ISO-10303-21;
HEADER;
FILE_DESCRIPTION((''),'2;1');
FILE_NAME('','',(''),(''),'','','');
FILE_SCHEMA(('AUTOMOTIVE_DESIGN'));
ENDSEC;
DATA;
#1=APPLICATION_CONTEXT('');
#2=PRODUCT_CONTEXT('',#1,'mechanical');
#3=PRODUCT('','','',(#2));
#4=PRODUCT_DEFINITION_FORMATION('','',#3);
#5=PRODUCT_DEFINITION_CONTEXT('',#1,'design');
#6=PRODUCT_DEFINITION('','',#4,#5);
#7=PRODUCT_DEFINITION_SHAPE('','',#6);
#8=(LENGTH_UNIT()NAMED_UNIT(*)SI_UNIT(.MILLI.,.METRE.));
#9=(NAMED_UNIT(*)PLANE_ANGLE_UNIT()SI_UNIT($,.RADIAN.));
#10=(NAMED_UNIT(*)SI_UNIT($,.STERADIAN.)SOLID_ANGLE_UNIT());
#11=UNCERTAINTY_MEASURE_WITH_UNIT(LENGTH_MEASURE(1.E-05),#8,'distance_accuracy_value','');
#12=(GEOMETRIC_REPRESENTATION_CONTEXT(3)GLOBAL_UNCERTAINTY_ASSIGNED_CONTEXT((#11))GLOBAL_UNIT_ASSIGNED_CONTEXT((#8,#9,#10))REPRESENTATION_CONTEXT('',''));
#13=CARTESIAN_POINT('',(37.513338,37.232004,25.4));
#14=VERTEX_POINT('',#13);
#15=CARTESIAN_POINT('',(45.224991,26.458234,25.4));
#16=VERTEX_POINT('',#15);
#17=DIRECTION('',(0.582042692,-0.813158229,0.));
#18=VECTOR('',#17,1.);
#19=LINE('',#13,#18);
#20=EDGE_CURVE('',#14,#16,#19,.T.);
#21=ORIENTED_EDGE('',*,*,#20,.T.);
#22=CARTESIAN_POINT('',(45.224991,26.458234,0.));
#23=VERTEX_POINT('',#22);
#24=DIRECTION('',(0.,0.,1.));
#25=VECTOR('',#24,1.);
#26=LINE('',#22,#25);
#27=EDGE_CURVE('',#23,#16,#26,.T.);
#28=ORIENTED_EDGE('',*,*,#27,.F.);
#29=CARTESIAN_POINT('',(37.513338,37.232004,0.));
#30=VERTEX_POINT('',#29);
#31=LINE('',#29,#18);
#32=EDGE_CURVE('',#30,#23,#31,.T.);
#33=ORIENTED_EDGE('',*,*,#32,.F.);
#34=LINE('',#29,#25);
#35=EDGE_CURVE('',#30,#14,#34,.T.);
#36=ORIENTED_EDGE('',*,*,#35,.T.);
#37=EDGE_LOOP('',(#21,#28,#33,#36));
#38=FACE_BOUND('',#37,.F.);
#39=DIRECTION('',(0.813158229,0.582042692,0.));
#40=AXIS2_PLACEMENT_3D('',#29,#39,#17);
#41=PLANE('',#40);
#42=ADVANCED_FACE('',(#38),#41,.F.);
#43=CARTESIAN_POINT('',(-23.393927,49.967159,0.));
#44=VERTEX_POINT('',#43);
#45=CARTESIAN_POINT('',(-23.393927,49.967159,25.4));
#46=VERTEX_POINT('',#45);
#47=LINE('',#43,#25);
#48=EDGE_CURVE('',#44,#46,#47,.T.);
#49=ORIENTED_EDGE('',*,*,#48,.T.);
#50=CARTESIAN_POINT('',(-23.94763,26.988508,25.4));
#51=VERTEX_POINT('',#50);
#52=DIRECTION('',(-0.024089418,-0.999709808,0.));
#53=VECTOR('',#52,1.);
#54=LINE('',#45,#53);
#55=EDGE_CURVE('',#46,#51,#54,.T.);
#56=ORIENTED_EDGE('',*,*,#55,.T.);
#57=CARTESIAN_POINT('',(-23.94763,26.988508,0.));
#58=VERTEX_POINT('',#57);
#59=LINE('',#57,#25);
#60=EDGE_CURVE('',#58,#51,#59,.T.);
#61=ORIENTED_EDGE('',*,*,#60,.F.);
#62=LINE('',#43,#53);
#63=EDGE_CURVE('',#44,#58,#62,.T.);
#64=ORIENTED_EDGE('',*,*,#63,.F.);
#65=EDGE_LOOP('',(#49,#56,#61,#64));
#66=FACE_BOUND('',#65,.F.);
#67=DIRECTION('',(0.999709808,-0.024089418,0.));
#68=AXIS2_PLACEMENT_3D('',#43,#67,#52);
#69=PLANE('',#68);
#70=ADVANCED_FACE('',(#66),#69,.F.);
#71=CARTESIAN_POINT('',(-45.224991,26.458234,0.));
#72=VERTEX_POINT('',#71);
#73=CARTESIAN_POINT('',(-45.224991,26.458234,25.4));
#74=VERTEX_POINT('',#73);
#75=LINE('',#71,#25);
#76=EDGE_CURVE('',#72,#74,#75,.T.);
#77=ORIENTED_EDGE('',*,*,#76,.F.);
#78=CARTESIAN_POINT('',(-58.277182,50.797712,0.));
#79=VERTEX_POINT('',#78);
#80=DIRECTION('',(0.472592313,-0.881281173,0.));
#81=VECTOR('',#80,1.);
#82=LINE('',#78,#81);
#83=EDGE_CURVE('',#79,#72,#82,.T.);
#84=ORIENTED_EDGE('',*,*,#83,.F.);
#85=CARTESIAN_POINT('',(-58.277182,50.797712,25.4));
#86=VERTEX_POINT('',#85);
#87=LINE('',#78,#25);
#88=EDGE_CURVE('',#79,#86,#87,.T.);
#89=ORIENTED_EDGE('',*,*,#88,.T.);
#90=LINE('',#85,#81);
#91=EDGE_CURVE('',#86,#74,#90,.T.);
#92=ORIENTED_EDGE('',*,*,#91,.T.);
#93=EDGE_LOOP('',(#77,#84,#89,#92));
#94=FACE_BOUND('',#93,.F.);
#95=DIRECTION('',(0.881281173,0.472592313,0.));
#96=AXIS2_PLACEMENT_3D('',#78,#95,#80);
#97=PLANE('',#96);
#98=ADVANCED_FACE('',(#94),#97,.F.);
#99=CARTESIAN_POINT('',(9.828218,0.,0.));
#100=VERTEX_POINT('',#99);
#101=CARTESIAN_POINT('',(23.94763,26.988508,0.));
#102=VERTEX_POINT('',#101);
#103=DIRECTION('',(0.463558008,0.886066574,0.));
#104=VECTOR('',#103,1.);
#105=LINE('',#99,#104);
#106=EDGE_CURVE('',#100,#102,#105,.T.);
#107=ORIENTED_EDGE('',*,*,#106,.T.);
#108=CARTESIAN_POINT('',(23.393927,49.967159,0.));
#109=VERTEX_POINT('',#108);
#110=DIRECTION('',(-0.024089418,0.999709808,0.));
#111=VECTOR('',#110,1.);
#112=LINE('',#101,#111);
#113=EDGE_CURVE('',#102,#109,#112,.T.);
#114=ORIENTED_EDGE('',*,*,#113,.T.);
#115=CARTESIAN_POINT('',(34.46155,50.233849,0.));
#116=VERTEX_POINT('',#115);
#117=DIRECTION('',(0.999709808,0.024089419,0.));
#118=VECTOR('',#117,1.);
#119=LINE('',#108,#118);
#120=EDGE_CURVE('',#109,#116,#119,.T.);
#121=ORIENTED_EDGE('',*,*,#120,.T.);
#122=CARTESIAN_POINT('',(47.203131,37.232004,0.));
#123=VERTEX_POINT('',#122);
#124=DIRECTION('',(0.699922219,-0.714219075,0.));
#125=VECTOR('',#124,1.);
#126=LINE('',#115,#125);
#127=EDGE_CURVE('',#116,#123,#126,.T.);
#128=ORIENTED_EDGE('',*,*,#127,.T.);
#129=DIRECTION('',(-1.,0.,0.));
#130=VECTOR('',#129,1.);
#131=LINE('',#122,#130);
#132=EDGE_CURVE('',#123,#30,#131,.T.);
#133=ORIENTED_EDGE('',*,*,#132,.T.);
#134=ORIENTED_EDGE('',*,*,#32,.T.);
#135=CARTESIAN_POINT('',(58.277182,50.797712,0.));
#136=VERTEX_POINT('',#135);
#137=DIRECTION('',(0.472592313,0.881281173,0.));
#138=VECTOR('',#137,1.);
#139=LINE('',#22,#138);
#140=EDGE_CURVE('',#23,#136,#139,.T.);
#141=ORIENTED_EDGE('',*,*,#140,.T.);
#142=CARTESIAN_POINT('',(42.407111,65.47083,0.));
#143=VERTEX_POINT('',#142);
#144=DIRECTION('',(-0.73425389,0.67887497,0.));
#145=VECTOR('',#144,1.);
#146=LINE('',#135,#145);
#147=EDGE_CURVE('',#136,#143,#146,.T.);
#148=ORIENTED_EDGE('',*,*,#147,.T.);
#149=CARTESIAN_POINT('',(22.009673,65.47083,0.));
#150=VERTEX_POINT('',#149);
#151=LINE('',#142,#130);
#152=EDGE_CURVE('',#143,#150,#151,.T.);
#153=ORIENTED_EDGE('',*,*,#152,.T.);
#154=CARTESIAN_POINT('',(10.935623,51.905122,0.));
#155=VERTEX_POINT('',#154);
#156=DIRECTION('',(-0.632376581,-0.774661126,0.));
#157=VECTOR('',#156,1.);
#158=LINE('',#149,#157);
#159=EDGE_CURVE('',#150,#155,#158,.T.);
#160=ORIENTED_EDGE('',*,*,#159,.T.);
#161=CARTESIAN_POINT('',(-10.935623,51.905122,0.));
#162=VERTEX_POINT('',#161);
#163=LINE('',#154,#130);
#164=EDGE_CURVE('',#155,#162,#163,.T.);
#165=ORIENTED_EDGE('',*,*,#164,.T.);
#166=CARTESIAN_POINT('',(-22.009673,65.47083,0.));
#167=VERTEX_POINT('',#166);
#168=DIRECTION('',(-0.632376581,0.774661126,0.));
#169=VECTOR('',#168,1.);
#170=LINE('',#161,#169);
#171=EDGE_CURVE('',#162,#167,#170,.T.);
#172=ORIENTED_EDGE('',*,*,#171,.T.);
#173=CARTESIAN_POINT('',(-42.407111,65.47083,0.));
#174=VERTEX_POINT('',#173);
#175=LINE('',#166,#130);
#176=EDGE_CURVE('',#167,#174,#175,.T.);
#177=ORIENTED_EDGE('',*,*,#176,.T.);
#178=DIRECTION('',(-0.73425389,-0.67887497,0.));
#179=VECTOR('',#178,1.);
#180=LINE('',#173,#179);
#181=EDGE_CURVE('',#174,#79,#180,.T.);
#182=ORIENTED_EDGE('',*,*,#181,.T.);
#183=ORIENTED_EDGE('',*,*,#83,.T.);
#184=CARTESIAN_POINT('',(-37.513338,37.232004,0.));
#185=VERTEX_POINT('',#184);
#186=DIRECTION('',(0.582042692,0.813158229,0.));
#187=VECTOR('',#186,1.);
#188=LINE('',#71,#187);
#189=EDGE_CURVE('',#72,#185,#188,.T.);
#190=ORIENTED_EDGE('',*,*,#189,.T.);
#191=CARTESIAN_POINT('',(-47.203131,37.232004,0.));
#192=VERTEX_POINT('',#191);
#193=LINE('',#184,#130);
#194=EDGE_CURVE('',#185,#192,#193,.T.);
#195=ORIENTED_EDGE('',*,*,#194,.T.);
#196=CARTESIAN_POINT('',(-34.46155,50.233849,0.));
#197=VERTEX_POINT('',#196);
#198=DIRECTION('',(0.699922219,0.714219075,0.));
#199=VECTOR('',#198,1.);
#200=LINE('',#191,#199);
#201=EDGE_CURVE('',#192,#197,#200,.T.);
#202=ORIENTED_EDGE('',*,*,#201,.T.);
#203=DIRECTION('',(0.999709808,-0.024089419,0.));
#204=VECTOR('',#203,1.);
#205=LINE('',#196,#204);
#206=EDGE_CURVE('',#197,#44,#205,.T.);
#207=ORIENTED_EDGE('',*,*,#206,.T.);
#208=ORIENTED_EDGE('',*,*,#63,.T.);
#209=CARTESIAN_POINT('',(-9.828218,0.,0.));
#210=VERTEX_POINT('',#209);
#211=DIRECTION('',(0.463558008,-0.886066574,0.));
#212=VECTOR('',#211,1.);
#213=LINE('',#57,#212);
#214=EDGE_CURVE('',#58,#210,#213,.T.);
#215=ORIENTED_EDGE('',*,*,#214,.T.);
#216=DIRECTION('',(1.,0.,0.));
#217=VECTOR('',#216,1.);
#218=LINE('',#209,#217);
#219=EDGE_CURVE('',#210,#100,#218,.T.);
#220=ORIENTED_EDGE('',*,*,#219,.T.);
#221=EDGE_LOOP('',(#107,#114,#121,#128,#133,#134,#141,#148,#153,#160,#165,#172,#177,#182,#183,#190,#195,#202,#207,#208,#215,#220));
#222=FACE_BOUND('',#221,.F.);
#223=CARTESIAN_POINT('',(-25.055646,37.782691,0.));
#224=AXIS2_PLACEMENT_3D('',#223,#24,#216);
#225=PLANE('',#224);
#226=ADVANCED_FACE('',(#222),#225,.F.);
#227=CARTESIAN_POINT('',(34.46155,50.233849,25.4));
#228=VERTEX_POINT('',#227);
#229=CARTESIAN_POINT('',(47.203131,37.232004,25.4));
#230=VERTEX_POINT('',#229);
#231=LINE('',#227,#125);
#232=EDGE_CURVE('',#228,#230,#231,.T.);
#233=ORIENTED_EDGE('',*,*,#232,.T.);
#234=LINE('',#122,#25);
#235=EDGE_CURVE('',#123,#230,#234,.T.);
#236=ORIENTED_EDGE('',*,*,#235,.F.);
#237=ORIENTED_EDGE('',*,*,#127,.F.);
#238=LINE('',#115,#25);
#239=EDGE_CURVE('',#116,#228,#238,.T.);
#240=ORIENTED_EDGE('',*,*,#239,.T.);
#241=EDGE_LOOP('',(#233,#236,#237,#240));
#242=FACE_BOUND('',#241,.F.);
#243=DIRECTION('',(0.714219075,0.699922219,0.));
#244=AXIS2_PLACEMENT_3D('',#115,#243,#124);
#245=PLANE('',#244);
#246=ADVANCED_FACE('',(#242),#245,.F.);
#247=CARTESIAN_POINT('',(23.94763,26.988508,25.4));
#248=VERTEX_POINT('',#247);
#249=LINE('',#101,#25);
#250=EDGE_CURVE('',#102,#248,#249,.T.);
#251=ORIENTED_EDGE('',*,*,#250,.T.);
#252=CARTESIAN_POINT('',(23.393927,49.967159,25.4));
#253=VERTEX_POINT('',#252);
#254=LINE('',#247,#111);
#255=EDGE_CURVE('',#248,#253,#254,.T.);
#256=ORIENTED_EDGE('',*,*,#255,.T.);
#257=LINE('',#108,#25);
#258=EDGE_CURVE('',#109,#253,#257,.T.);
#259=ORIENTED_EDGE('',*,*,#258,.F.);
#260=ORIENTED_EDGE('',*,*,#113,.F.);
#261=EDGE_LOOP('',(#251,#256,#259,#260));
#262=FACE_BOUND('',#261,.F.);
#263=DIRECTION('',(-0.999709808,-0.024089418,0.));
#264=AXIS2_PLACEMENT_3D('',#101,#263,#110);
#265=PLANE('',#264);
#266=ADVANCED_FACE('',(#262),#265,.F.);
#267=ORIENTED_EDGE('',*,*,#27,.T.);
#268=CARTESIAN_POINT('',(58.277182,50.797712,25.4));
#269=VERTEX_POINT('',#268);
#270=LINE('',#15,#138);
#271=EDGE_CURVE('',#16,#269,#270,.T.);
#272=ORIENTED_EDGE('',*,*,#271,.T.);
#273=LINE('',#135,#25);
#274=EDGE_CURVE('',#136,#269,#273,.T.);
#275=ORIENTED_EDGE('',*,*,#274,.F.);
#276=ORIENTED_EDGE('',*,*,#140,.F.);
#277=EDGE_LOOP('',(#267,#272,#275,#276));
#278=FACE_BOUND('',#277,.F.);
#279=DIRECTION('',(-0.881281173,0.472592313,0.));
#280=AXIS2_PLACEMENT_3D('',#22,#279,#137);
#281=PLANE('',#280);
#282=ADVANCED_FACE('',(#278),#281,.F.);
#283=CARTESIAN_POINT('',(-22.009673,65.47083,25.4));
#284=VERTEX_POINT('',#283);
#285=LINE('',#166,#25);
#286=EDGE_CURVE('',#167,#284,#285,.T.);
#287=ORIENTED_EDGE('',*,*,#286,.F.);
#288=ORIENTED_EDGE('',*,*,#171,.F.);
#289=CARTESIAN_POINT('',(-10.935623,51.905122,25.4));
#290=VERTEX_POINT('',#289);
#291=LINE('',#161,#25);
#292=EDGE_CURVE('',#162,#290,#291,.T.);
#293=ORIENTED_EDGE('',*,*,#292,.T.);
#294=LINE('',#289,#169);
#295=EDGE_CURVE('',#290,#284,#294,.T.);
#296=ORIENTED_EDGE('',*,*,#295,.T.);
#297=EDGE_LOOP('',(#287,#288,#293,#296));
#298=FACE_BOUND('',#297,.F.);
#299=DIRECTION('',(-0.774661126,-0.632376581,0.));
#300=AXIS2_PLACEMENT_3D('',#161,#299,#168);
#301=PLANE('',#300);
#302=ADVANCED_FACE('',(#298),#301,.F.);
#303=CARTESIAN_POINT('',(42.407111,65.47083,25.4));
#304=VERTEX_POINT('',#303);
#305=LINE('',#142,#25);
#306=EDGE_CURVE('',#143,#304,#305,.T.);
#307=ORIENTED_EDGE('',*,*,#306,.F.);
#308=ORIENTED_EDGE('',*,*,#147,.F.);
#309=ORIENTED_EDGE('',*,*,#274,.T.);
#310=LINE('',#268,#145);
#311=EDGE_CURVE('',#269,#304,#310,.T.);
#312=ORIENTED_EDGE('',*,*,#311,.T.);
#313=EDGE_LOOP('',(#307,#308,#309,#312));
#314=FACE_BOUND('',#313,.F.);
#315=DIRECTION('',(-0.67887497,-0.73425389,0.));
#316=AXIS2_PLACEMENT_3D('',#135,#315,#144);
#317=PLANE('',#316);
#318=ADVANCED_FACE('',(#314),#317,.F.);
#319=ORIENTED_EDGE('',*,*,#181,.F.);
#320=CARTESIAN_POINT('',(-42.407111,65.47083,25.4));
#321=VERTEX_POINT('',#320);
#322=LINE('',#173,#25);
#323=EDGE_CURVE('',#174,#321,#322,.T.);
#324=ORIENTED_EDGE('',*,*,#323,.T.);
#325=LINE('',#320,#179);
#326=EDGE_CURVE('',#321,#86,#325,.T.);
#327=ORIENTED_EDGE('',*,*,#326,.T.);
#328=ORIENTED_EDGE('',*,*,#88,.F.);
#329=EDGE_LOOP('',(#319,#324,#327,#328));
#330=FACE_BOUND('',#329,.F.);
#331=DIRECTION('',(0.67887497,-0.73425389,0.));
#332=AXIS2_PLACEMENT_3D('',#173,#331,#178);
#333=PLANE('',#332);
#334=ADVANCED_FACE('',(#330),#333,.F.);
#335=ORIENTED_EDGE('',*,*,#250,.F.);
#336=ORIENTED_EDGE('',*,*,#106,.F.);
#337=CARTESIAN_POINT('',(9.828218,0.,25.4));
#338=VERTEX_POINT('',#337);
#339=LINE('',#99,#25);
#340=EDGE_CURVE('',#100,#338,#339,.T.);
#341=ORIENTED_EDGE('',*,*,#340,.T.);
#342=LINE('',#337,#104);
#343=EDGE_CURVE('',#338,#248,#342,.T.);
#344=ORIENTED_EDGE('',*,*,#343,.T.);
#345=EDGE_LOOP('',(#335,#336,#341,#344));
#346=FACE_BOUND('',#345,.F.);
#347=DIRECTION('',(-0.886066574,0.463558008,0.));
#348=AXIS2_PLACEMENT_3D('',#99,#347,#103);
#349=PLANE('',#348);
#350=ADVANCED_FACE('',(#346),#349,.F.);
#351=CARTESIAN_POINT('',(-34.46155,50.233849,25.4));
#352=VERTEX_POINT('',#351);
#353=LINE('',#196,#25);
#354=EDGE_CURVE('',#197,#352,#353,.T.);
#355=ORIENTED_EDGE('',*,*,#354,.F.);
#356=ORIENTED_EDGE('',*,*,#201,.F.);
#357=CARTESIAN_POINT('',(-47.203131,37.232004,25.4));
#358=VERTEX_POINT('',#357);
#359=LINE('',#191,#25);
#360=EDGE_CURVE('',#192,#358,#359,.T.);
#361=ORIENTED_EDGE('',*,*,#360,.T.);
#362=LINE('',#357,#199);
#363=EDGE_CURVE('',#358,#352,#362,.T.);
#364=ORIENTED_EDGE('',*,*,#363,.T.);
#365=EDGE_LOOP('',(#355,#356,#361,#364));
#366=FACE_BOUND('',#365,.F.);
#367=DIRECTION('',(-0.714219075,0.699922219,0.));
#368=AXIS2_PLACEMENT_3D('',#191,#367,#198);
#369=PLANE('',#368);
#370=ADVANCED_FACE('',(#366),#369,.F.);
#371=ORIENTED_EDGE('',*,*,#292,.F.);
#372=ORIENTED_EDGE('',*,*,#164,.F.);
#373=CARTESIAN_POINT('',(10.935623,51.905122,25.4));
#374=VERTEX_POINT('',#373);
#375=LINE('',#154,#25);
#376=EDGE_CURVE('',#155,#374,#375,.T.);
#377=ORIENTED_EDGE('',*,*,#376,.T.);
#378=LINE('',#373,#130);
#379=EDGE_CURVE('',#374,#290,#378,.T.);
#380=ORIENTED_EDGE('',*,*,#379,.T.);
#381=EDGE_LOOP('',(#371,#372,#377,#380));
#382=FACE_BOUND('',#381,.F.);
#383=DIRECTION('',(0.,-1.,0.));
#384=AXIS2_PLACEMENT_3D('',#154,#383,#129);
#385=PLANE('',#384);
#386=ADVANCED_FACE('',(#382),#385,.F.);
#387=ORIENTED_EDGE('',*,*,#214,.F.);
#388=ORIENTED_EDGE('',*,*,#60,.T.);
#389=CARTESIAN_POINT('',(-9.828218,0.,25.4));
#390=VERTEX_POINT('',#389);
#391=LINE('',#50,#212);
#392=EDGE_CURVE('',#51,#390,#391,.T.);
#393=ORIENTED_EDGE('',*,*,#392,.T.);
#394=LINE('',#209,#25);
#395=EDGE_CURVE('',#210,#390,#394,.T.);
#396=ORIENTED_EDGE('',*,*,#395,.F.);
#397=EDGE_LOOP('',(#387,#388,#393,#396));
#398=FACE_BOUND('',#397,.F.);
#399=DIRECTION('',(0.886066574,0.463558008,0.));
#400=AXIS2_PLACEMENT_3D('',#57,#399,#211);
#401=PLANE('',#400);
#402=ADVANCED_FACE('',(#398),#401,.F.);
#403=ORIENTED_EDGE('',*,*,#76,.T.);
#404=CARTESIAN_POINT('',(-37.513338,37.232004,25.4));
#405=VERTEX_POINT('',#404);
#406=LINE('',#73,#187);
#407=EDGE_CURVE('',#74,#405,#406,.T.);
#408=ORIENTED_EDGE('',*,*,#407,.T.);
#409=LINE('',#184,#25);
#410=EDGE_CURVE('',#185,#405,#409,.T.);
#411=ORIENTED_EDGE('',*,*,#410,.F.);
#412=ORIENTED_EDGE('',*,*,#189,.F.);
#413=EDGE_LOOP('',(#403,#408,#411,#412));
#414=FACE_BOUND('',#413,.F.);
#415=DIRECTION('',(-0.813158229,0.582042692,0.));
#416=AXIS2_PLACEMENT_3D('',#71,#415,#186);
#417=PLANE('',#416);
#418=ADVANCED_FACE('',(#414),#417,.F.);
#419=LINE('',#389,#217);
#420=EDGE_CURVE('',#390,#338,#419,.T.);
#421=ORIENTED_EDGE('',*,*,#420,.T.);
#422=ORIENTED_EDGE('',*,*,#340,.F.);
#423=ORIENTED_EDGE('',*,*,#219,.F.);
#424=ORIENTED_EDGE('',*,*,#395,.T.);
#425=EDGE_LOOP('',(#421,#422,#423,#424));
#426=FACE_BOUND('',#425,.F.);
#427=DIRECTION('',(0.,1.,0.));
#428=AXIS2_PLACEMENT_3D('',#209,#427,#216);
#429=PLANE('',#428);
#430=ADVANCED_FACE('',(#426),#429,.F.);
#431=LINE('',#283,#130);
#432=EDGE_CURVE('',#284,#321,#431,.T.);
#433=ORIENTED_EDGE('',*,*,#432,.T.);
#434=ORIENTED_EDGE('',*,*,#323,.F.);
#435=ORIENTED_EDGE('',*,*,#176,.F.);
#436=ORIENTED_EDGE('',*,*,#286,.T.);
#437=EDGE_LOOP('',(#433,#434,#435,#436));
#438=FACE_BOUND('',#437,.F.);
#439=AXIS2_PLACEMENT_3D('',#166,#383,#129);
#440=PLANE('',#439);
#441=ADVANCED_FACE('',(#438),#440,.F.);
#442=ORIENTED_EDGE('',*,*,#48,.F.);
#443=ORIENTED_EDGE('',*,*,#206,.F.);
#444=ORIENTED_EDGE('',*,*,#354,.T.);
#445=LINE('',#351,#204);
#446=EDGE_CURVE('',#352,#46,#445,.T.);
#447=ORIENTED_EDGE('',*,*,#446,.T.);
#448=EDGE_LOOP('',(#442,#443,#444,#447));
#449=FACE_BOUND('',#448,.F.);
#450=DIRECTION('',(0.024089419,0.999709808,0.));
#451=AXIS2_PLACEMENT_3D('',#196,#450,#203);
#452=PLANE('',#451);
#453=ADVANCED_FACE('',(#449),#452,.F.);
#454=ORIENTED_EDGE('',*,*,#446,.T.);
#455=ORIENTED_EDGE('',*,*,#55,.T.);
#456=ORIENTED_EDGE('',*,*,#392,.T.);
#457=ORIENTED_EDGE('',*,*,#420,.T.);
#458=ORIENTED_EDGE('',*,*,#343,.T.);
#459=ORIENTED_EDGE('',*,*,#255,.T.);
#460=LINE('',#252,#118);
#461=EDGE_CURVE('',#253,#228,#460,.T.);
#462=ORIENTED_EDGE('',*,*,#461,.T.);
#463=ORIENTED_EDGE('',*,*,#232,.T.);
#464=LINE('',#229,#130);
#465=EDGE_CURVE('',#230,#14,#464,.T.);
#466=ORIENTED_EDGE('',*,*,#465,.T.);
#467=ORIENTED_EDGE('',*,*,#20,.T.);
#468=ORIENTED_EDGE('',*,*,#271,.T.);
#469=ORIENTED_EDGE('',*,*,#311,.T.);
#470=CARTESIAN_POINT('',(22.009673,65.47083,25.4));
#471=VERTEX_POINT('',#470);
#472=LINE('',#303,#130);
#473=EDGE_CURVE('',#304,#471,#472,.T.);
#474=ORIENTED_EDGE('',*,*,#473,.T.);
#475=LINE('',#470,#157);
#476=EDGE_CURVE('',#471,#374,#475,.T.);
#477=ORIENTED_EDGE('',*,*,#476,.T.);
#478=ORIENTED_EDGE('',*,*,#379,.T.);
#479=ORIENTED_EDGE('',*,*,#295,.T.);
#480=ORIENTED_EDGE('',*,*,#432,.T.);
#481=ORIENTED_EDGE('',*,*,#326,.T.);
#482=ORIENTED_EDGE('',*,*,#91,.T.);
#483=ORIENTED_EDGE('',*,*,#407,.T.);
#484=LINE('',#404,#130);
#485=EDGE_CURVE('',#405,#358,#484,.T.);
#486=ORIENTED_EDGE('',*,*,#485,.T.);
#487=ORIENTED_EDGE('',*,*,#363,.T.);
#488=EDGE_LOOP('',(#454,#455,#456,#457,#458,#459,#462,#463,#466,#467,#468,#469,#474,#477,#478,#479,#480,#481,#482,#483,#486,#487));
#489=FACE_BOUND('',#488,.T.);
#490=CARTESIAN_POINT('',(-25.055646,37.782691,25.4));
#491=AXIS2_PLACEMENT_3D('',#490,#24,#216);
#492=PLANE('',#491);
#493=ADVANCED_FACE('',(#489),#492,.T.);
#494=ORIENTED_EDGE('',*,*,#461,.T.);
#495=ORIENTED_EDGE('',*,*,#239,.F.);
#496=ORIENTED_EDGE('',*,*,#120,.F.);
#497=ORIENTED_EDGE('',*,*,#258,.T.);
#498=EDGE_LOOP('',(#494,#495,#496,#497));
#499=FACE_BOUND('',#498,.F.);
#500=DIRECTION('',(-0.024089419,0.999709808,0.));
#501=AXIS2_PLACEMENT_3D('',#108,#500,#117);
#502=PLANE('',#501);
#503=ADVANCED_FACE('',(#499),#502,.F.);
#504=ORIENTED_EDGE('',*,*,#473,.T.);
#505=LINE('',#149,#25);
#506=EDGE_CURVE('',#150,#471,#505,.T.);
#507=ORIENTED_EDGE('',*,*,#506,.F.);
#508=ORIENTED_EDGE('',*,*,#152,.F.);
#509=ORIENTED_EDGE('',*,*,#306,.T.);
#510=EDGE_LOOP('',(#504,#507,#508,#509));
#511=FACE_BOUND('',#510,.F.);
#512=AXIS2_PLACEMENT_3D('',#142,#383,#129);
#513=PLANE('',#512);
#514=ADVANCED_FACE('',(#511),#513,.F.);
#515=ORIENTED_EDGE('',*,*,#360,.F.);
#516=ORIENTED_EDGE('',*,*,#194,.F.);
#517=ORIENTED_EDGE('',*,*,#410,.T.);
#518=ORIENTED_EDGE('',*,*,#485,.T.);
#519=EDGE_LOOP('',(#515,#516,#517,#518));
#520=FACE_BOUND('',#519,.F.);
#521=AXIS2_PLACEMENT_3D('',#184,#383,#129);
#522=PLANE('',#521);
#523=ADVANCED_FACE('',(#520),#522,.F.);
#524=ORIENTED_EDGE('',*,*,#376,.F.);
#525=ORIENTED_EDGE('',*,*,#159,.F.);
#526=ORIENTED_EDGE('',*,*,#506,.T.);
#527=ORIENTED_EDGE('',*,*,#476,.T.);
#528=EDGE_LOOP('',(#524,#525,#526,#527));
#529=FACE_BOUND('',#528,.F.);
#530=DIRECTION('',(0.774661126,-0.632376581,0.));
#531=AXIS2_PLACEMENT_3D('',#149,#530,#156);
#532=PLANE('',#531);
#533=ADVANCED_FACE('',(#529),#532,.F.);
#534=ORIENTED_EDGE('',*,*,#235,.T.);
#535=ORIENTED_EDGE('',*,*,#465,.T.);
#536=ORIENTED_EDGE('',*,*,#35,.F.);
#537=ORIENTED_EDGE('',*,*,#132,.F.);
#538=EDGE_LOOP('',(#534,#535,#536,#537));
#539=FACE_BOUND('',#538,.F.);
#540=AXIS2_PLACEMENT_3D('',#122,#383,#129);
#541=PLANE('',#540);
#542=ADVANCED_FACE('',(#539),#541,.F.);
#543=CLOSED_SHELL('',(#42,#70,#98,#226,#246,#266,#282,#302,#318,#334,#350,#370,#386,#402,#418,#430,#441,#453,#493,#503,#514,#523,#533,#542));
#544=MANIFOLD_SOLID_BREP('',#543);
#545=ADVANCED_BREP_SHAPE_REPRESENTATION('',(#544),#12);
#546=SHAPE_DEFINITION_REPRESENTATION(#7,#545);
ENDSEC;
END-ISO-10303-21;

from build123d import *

# Parameters (mm, degrees)
F1_DEPTH = 25.4


with BuildPart() as f1:
    # F0 (on Top) → F1 (new body)
    with BuildSketch(Plane.XY):
        Polygon((-34.46155, 50.233849), (-23.393927, 49.967159), (-23.94763, 26.988508), (-9.828218, 0), (0, 0), (0, 51.905122), (-10.935623, 51.905122), (-22.009673, 65.47083), (-42.407111, 65.47083), (-58.277182, 50.797712), (-45.224991, 26.458234), (-37.513338, 37.232004), (-47.203131, 37.232004), align=None)
        Polygon((0, 51.905122), (0, 0), (9.828218, 0), (23.94763, 26.988508), (23.393927, 49.967159), (34.46155, 50.233849), (47.203131, 37.232004), (37.513338, 37.232004), (45.224991, 26.458234), (58.277182, 50.797712), (42.407111, 65.47083), (22.009673, 65.47083), (10.935623, 51.905122), align=None)
    extrude(amount=F1_DEPTH)


solid = f1.part
